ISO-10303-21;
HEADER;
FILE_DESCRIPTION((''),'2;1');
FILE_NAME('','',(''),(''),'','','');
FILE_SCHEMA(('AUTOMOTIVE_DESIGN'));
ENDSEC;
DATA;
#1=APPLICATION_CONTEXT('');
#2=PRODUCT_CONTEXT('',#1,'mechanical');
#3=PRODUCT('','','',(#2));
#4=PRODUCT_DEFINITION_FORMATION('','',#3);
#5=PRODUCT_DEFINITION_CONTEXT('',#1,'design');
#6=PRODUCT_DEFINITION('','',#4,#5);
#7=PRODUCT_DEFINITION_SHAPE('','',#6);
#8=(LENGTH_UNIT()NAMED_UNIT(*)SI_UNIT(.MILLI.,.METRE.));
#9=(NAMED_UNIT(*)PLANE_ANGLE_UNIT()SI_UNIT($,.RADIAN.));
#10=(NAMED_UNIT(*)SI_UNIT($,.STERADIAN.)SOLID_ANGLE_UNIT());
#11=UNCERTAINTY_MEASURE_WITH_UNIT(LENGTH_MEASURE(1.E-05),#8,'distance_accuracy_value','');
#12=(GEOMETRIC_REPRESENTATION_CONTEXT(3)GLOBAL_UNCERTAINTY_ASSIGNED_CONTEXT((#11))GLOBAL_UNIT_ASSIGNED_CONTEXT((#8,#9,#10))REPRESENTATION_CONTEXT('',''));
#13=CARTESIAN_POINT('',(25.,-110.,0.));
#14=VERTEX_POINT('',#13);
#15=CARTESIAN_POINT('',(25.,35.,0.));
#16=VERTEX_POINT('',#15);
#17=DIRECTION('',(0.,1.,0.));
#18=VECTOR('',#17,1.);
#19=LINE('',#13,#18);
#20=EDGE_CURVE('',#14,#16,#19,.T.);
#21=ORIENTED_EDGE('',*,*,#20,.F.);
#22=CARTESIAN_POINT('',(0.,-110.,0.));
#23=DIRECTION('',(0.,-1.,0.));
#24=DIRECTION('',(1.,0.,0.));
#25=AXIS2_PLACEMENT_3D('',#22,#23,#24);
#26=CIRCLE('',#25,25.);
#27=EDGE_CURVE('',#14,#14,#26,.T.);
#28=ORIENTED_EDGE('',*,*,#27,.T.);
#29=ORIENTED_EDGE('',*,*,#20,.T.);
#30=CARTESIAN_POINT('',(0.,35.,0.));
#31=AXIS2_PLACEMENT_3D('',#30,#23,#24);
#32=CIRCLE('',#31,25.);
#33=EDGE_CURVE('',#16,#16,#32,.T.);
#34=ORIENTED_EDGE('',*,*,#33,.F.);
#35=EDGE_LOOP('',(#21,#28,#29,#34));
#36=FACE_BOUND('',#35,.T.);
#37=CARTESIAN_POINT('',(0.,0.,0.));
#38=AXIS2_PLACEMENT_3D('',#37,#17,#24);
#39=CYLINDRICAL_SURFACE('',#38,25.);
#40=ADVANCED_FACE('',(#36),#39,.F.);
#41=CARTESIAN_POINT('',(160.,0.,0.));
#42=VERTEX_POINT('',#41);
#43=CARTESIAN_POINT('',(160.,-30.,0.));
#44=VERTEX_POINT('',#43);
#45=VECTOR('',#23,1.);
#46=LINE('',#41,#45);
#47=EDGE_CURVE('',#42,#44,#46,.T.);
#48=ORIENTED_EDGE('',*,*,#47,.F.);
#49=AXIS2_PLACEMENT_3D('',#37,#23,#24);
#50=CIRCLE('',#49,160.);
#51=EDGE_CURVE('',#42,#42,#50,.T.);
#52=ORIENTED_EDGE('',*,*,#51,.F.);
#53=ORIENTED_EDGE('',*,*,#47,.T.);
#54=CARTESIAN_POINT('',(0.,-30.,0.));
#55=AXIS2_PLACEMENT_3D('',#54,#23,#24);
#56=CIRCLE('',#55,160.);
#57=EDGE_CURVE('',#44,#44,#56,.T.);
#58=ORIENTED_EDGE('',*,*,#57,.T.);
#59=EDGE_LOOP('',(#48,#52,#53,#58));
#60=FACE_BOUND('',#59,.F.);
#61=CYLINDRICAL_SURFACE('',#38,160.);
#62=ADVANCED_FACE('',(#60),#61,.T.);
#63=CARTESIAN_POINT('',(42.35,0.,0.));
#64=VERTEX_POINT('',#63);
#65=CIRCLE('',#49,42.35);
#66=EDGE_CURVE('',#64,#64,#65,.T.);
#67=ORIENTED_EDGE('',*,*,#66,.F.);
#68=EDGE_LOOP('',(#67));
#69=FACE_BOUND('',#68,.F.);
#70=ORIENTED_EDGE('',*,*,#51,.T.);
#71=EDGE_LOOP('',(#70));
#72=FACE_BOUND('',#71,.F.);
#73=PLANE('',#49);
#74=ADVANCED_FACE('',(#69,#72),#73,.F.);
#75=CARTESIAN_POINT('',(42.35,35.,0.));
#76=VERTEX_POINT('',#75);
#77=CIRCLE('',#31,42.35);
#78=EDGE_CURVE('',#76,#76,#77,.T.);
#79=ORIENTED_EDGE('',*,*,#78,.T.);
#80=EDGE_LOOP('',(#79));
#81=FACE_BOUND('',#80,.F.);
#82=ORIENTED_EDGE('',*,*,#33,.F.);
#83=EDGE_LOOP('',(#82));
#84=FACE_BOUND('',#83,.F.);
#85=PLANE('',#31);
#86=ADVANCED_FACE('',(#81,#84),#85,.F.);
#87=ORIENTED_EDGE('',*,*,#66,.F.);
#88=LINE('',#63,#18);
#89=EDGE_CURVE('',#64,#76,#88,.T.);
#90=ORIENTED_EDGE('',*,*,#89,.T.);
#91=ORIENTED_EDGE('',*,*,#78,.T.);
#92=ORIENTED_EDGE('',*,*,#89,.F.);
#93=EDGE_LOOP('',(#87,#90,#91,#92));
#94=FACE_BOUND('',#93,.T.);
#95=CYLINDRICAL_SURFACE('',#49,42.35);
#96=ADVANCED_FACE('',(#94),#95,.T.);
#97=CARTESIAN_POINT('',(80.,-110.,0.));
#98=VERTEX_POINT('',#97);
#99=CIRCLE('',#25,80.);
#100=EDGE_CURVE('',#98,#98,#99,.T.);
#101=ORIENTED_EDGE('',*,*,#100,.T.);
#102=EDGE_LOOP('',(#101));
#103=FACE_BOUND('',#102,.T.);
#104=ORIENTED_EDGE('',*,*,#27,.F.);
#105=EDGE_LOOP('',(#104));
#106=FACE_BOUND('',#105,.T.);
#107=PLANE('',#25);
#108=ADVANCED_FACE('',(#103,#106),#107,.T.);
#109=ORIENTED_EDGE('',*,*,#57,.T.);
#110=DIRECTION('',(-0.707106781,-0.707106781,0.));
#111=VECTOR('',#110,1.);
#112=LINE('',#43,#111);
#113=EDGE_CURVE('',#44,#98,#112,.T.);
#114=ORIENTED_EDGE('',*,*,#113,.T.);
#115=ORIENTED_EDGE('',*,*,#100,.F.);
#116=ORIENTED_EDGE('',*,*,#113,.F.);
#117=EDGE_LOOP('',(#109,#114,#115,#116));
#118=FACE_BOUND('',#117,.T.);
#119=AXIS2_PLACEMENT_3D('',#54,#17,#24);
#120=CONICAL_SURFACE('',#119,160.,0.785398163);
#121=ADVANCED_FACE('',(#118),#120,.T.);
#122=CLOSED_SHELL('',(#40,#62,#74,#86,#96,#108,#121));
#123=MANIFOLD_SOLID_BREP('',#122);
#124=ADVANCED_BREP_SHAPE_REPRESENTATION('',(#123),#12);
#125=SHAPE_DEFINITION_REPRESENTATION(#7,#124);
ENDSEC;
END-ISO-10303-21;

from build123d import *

# Parameters (mm, degrees)
F0_R     = 160
F0_R_2   = 42.35
F0_R_3   = 25
F1_DEPTH = 110
F2_DEPTH = 35
F3_SIZE  = 80


with BuildPart() as f1:
    # F0 (on Front) → F1 (new body)
    with BuildSketch(Plane.XZ):
        Circle(F0_R)
        Circle(F0_R_2, mode=Mode.SUBTRACT)
        Circle(F0_R_2)
        Circle(F0_R_3, mode=Mode.SUBTRACT)
    extrude(amount=F1_DEPTH)

    # F0 (on Front) → F2 (join)
    with BuildSketch(Plane.XZ):
        Circle(F0_R_2)
        Circle(F0_R_3, mode=Mode.SUBTRACT)
    extrude(amount=-F2_DEPTH)

    # F3
    f3_edges = [f1.edges().sort_by_distance(p)[0] for p in [
        (-160, -110, 0),
    ]]
    chamfer(f3_edges, length=F3_SIZE)


solid = f1.part
